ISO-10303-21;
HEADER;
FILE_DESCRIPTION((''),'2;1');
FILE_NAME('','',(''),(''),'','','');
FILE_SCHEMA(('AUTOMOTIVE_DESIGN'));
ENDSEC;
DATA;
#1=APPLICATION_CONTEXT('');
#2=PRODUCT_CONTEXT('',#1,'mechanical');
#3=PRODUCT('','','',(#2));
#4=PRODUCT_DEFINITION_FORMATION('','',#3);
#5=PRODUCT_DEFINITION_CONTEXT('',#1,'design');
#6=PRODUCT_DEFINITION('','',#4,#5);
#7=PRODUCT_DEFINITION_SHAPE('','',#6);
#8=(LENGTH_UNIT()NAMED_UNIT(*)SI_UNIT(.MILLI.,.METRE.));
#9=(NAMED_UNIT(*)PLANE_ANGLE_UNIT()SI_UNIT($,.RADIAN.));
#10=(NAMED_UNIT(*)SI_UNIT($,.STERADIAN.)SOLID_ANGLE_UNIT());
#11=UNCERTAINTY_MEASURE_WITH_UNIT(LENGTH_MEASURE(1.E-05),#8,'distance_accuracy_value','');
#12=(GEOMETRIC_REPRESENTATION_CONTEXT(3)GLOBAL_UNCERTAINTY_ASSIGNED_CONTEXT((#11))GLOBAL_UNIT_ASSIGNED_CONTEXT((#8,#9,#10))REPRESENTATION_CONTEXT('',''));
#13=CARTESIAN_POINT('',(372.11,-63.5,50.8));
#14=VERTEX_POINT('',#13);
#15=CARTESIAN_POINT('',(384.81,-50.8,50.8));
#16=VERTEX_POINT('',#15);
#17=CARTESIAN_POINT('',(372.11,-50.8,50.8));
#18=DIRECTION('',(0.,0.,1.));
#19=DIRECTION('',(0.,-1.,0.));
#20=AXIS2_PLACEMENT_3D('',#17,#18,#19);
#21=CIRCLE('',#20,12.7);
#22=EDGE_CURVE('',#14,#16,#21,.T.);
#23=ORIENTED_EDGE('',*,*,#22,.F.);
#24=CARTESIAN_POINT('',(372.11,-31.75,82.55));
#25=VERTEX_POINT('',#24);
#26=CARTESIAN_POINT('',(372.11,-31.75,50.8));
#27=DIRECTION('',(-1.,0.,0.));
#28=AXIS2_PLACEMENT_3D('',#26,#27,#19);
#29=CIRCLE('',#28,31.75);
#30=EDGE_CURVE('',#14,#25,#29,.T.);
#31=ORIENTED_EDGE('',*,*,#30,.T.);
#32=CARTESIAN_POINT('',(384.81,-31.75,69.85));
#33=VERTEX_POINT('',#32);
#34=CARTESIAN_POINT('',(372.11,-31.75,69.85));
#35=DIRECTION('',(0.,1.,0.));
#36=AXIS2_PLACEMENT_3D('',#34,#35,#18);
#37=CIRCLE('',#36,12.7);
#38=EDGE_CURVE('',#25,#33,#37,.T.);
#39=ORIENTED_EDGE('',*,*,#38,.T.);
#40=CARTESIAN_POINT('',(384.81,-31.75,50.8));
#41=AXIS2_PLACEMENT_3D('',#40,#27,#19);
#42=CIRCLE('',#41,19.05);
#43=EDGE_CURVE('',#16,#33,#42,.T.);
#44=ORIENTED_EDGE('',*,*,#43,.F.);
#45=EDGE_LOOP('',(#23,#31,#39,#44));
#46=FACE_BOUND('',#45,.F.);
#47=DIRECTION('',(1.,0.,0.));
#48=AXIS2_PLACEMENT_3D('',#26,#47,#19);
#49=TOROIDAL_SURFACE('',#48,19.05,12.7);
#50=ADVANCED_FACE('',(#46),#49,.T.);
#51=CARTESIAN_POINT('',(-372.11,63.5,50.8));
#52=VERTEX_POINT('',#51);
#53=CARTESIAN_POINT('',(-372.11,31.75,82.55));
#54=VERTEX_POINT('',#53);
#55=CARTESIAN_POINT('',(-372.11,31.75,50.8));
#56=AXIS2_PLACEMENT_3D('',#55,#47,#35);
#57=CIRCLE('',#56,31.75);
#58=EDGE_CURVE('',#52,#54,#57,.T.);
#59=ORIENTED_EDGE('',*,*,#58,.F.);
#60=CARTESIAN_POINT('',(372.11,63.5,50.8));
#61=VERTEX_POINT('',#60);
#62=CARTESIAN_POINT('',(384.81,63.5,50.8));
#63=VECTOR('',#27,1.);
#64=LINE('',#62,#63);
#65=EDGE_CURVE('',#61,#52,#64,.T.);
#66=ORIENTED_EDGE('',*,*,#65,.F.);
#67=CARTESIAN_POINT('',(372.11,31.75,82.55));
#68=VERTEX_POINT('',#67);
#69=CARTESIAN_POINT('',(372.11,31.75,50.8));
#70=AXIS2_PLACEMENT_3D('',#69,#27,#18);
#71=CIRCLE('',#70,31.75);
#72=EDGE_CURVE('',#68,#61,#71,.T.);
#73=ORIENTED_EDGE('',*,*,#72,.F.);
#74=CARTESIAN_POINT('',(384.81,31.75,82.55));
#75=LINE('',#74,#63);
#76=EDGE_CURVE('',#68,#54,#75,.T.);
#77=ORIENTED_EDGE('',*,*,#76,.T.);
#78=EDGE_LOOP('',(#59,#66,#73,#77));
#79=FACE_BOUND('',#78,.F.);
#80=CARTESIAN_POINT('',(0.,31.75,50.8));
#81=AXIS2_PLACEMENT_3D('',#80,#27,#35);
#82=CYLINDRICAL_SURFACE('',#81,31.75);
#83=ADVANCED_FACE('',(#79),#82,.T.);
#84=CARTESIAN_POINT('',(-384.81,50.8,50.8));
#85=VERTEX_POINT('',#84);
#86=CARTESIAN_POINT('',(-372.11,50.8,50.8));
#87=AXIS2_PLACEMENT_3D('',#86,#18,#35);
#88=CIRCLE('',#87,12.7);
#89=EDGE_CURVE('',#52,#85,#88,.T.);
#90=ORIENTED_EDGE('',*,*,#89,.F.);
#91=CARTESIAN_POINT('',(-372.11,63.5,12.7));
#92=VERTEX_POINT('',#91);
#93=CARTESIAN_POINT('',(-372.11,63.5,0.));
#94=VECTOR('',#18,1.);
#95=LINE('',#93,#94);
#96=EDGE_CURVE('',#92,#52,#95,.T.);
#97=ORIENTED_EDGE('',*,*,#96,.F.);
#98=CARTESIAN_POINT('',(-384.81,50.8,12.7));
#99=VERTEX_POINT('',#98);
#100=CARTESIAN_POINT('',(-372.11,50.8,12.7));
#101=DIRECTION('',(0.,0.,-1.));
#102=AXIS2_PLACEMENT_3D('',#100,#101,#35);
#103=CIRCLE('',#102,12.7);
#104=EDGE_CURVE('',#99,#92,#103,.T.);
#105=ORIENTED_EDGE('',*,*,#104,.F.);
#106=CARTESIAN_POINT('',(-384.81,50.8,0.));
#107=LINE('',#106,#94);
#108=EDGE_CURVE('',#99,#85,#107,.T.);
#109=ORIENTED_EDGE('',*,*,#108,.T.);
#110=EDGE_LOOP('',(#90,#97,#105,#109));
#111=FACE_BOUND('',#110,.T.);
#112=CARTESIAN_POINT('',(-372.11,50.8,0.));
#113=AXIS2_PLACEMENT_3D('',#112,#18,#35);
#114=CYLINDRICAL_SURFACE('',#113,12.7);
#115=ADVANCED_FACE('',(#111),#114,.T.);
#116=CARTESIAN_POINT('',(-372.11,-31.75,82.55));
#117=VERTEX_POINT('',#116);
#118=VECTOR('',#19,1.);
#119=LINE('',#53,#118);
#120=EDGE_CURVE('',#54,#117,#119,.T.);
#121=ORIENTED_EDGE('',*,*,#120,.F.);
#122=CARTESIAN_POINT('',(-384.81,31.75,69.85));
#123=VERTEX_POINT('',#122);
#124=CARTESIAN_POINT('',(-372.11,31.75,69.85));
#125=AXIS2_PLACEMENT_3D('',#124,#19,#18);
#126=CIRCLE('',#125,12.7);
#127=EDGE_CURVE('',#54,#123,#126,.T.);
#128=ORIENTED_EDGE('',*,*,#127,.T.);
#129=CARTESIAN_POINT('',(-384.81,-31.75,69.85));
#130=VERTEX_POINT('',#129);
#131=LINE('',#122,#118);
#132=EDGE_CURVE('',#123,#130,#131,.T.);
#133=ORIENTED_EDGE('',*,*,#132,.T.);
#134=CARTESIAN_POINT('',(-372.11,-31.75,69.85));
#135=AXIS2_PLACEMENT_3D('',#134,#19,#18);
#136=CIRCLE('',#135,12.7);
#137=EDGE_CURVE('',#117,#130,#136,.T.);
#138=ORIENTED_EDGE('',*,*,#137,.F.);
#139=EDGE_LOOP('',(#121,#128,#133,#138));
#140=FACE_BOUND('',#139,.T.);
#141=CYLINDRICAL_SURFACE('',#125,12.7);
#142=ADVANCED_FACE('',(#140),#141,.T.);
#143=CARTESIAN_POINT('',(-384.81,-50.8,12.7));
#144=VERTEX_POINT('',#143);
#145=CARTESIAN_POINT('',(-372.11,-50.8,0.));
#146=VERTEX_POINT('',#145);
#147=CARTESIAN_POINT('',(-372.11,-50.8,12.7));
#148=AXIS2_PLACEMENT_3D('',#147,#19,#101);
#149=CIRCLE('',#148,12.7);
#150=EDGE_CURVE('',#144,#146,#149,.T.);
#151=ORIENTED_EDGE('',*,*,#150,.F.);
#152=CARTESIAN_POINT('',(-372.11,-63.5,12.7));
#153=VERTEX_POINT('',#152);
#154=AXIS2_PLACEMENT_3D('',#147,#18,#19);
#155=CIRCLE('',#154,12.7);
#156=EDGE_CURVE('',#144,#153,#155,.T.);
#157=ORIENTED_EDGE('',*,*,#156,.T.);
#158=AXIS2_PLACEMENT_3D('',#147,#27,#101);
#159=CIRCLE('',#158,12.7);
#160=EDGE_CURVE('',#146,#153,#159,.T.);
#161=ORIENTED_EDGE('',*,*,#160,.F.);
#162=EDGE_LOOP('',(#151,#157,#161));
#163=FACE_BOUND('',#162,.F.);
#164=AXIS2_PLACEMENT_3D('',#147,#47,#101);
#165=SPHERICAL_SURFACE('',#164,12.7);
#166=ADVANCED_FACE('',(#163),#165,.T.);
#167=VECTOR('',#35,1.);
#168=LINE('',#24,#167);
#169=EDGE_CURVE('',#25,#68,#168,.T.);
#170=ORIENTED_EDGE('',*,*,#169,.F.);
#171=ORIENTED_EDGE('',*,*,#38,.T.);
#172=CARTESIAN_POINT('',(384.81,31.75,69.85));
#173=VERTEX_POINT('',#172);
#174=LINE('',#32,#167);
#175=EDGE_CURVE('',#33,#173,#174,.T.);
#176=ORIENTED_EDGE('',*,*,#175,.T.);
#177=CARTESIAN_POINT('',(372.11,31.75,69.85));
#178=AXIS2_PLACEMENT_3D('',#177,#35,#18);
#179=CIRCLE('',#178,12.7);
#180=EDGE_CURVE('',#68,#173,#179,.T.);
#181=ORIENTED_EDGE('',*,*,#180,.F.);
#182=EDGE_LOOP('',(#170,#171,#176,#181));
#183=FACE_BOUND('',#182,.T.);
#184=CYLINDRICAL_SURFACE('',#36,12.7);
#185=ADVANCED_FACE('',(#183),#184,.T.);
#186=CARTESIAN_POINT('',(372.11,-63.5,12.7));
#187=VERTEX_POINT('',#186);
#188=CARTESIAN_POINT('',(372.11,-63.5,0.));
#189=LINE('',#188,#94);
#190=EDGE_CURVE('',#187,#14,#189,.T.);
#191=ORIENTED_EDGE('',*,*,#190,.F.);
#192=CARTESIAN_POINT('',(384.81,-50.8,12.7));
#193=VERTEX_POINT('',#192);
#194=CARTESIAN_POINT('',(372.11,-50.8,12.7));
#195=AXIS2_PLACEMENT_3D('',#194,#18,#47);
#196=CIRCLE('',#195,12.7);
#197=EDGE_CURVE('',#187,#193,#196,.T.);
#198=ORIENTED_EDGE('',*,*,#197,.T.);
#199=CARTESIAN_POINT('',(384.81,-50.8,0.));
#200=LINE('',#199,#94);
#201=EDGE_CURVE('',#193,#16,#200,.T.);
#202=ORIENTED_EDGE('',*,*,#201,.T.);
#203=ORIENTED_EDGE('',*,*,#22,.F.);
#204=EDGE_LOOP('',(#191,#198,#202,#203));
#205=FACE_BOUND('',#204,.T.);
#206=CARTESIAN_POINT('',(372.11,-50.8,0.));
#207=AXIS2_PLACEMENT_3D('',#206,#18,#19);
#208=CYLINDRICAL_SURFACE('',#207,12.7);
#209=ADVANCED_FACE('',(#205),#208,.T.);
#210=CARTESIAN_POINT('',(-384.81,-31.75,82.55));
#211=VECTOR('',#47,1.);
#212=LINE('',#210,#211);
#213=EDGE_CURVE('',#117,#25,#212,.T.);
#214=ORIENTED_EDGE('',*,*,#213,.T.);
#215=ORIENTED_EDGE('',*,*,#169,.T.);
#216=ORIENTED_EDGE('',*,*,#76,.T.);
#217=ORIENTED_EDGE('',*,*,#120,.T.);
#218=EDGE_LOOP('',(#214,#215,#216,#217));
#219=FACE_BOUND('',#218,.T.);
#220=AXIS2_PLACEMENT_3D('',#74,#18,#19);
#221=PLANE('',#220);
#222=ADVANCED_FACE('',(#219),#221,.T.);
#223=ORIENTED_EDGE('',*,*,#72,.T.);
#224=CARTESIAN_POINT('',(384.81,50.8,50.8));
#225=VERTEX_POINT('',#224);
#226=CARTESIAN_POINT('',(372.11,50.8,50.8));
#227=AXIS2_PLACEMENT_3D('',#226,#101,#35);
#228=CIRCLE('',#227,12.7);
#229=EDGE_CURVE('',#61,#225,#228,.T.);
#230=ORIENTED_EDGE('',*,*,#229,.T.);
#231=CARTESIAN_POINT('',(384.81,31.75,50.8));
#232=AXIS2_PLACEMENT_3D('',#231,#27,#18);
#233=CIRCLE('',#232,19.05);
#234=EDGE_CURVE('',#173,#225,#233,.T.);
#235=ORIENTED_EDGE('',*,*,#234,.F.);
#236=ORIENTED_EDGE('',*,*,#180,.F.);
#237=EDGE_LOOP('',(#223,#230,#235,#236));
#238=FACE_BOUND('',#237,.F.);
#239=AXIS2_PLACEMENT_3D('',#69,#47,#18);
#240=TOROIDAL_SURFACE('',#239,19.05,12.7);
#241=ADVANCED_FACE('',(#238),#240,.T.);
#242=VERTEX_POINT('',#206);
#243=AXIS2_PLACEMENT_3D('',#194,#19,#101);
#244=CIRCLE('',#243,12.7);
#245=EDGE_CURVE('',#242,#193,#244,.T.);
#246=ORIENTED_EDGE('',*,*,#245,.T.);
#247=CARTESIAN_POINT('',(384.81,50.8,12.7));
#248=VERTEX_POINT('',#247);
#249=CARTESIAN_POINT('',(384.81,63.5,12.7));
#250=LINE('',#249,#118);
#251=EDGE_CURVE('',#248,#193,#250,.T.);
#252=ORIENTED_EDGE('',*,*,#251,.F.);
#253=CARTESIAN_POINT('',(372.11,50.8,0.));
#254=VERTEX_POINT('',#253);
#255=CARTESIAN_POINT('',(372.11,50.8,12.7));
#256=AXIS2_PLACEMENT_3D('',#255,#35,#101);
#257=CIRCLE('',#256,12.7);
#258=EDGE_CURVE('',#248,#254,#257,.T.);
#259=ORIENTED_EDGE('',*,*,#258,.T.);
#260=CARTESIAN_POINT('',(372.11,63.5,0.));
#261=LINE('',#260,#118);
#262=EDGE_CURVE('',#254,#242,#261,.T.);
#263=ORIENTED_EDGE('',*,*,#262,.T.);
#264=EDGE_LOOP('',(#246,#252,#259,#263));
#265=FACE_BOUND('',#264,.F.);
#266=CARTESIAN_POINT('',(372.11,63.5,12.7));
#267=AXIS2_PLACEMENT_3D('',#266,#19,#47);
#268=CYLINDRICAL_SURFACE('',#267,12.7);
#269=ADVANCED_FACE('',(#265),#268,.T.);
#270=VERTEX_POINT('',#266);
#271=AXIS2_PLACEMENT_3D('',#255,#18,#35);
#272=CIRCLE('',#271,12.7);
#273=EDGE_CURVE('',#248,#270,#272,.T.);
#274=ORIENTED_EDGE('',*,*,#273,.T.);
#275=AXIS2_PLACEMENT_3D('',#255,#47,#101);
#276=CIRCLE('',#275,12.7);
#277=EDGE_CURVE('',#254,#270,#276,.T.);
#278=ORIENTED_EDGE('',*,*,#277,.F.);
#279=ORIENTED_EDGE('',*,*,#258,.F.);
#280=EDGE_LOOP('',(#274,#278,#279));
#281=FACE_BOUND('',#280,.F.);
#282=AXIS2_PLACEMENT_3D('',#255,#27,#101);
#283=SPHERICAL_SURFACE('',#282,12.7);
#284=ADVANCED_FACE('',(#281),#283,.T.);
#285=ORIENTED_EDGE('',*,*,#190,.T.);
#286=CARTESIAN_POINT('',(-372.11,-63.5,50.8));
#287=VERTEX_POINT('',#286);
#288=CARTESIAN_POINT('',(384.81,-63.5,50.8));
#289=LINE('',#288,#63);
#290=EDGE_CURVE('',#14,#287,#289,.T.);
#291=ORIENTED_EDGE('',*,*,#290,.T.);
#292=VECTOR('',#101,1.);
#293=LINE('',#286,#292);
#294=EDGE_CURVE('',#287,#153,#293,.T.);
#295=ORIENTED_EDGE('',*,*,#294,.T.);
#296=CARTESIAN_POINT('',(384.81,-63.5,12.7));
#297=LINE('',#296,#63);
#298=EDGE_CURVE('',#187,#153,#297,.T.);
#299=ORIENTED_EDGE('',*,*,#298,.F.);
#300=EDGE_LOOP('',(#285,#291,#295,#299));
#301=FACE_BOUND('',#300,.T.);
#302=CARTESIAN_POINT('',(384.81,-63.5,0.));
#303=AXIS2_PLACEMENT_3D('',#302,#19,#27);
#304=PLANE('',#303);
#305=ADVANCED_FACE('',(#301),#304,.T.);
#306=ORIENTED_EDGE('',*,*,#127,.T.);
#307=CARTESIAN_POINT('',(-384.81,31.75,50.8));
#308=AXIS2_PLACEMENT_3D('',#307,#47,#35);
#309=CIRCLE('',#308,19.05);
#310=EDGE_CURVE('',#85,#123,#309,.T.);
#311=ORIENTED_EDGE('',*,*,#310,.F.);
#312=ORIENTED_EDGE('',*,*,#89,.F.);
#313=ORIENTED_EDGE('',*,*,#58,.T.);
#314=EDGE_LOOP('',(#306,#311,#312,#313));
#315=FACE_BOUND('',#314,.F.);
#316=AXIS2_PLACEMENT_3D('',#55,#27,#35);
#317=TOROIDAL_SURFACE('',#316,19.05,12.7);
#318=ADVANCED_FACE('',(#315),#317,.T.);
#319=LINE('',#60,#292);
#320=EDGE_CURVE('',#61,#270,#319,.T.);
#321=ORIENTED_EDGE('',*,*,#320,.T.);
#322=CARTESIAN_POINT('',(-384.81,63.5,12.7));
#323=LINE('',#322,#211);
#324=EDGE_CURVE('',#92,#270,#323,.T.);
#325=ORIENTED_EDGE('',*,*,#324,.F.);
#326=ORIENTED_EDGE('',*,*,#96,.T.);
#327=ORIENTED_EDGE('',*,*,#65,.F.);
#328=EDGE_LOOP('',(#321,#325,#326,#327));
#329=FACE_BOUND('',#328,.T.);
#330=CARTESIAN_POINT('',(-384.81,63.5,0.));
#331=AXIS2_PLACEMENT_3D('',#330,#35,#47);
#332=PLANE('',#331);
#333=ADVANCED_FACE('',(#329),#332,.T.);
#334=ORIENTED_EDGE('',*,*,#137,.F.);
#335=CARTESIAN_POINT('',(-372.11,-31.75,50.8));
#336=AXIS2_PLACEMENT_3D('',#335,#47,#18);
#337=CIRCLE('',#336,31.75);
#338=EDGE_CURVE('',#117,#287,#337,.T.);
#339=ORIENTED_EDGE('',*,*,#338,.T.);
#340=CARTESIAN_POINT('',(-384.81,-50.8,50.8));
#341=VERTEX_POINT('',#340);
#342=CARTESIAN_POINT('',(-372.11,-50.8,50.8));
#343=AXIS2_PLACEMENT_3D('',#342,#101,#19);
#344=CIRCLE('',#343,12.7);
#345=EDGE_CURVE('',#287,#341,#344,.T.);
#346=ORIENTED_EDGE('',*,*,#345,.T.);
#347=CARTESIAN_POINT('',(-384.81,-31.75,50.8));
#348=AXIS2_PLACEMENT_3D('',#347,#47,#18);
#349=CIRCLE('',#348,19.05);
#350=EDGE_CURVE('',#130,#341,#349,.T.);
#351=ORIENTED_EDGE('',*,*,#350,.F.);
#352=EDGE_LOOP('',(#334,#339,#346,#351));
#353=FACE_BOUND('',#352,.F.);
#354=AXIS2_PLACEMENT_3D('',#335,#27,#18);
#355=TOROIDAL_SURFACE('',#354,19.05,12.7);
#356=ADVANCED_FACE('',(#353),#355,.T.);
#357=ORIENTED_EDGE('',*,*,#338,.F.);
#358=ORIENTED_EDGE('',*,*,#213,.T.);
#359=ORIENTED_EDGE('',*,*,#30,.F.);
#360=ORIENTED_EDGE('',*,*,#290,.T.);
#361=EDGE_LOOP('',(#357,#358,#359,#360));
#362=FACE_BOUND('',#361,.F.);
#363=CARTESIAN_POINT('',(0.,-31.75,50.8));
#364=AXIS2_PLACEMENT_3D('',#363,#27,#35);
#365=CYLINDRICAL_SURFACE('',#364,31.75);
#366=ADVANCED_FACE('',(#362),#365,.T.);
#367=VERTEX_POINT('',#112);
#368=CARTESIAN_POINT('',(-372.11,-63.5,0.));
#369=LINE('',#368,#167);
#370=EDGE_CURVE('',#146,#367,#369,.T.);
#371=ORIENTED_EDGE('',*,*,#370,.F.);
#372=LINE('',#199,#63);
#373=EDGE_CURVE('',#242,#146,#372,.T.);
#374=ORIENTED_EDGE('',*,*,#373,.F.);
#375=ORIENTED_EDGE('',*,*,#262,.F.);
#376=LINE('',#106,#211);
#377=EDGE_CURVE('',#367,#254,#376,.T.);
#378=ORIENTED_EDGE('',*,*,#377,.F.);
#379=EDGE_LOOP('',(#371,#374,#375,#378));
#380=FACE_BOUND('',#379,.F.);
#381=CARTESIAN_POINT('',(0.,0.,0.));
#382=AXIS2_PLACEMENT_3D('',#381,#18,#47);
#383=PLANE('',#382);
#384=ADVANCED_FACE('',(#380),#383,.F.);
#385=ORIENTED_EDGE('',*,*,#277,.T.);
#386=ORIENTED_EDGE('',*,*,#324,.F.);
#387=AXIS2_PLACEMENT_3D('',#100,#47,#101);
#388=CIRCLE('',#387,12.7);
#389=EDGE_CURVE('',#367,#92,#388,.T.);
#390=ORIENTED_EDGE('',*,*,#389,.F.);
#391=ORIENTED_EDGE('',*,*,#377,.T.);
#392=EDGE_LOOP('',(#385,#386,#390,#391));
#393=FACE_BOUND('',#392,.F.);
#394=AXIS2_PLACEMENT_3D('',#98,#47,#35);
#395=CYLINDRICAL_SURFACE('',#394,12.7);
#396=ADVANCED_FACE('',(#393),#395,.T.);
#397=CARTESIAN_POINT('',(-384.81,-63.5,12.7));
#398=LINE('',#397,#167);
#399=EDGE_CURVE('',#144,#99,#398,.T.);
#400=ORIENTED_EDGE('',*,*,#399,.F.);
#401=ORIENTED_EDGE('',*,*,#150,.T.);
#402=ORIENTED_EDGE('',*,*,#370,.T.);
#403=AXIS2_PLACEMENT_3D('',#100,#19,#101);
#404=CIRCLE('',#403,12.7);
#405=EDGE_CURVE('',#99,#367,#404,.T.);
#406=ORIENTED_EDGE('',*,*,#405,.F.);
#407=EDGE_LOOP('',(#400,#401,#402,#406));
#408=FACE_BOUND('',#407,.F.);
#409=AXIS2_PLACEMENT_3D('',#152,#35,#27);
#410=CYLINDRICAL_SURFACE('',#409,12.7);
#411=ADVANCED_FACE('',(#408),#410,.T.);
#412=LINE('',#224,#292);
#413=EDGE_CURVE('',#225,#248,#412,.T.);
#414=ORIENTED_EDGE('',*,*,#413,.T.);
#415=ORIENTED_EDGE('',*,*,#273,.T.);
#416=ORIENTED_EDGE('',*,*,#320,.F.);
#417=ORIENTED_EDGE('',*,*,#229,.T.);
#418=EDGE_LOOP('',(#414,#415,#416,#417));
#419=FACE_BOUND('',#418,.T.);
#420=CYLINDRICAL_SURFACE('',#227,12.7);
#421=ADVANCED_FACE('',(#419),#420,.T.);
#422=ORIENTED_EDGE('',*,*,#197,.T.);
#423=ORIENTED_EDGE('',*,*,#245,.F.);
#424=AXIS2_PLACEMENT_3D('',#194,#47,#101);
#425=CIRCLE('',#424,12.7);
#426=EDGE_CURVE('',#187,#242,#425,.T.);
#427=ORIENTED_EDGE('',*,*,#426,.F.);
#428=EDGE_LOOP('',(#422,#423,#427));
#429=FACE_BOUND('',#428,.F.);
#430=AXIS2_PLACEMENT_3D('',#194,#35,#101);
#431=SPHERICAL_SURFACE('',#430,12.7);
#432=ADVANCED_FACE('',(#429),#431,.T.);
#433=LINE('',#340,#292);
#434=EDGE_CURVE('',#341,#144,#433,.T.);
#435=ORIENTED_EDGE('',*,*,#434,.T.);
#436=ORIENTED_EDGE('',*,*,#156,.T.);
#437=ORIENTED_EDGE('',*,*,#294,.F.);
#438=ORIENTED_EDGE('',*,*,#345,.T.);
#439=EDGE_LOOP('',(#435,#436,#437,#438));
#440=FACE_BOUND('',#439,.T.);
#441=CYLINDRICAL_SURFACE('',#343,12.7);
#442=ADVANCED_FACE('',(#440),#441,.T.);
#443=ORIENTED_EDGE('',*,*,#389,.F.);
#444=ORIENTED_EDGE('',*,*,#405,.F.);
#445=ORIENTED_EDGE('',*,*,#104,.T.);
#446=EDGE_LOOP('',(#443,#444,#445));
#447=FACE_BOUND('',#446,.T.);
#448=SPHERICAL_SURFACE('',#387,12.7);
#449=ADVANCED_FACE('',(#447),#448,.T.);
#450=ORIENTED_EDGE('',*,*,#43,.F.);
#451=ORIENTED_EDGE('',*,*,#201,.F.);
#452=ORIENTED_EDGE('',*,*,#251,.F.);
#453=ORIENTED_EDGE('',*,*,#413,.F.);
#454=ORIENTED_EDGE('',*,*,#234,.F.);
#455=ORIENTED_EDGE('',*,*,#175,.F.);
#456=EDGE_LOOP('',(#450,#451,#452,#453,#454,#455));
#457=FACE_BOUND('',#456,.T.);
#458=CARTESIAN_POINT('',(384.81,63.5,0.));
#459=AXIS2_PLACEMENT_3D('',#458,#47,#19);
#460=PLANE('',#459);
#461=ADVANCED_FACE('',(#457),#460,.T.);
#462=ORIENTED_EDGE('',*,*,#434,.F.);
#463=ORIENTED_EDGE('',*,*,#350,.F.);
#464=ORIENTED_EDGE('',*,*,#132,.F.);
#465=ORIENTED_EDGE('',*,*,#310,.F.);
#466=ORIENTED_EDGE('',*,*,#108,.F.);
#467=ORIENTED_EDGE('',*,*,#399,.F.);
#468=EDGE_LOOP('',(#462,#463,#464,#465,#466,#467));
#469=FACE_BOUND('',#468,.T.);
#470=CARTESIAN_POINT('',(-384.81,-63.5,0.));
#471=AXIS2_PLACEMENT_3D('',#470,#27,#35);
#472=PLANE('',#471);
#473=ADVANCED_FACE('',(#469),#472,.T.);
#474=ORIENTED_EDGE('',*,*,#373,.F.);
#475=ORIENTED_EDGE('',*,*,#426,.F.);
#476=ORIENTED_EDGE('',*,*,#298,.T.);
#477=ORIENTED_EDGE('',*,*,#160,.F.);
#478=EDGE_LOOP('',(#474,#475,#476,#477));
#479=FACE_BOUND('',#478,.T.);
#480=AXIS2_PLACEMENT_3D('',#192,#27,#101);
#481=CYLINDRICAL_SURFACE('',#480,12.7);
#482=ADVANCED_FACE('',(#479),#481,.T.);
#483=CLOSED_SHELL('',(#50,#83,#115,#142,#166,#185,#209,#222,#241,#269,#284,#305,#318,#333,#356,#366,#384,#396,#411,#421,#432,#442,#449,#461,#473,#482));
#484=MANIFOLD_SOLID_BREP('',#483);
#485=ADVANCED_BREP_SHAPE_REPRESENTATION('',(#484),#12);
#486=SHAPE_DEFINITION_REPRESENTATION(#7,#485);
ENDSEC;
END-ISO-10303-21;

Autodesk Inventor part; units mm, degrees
ref_plane "YZ Plane" through (0, 0, 0) normal (1, 0, 0) x (0, 1, 0)
ref_plane "XZ Plane" through (0, 0, 0) normal (0, 1, 0) x (-1, 0, 0)
ref_plane "XY Plane" through (0, 0, 0) normal (0, 0, 1) x (1, 0, 0)
sketch "Sketch1" plane through (0, 0, 0) normal (0, 0, 1) x (1, 0, 0)
  line L0 (-384.81, 63.5) -> (384.81, 63.5)
  line L1 (384.81, 63.5) -> (384.81, -63.5)
  line L2 (384.81, -63.5) -> (-384.81, -63.5)
  line L3 (-384.81, -63.5) -> (-384.81, 63.5)
  point P0 (0, 0)
  point P1 (-384.81, 0)
  point P2 (0, 63.5)
  dimension "d0" = 769.62
  dimension "d1" = 127
extrude "Extrusion1" add sketch "Sketch1" along normal blind 19.05
sketch "Sketch2" plane through (0, 0, 0) normal (1, 0, 0) x (0, 1, 0)
  line L0 (63.5, 19.05) -> (63.5, 0) construction
  line L1 (63.5, 0) -> (-63.5, 0) construction
  line L2 (-63.5, 0) -> (-63.5, 19.05) construction
  line L3 (-63.5, 19.05) -> (63.5, 19.05) construction
  circle A0 centre (31.75, 50.8) radius 31.75
  circle A1 centre (-31.75, 50.8) radius 31.75
  point P0 (0, 0)
  dimension "d4" = 63.5
  dimension "d5" = 63.5
extrude "Extrusion2" add sketch "Sketch2" along normal mid plane 769.62
sketch "Sketch3" plane through (384.81, -63.5, 0) normal (1, 0, 0) x (0, 0, -1)
  line L0 (-19.05, 127) -> (0, 127) projected
  line L1 (0, 127) -> (0, 0) projected
  line L2 (0, 0) -> (-19.05, 0) projected
  line L3 (-19.05, 0) -> (-19.05, 31.75) projected
  line L4 (-19.05, 31.75) -> (-19.05, 95.25) projected
  arc A0 (-50.8, 63.5) -> (-19.05, 95.25) centre (-50.8, 95.25) ccw projected
  arc A1 (-50.8, 63.5) -> (-19.05, 31.75) centre (-50.8, 31.75) ccw projected
  arc A2 (-19.05, 31.75) -> (-50.8, 63.5) centre (-50.8, 31.75) ccw projected
  arc A3 (-19.05, 95.25) -> (-50.8, 63.5) centre (-50.8, 95.25) ccw projected
  line L5 (-19.05, 95.25) -> (-19.05, 127) projected
  line L6 (-50.8, 127) -> (-19.05, 127)
  line L7 (-82.55, 95.25) -> (-82.55, 31.75)
  line L8 (-50.8, 0) -> (-19.05, 0)
  point P0 (0, 63.5)
extrude "Extrusion3" add sketch "Sketch3" against normal blind 769.62 contours L5 A3 L6 | L4 A2 A0 | L3 L8 A1 | A1 L7 A3
fillet "Fillet1" radius 12.7 14 edges at (0, 63.5, 0) (384.81, 0, 0) (0, -63.5, 0) (-384.81, 0, 0) (-384.81, 63.5, 25.4) (384.81, 63.5, 25.4) (-384.81, 54.2006, 73.2506) (-384.81, 0, 82.55) (-384.81, -54.2006, 73.2506) (-384.81, -63.5, 25.4) (384.81, 54.2006, 73.2506) (384.81, 0, 82.55) (384.81, -54.2006, 73.2506) (384.81, -63.5, 25.4)
equation "\"d6\" = d0"
equation "\"d8\" = d0"
properties part number "FrontBumpers"
